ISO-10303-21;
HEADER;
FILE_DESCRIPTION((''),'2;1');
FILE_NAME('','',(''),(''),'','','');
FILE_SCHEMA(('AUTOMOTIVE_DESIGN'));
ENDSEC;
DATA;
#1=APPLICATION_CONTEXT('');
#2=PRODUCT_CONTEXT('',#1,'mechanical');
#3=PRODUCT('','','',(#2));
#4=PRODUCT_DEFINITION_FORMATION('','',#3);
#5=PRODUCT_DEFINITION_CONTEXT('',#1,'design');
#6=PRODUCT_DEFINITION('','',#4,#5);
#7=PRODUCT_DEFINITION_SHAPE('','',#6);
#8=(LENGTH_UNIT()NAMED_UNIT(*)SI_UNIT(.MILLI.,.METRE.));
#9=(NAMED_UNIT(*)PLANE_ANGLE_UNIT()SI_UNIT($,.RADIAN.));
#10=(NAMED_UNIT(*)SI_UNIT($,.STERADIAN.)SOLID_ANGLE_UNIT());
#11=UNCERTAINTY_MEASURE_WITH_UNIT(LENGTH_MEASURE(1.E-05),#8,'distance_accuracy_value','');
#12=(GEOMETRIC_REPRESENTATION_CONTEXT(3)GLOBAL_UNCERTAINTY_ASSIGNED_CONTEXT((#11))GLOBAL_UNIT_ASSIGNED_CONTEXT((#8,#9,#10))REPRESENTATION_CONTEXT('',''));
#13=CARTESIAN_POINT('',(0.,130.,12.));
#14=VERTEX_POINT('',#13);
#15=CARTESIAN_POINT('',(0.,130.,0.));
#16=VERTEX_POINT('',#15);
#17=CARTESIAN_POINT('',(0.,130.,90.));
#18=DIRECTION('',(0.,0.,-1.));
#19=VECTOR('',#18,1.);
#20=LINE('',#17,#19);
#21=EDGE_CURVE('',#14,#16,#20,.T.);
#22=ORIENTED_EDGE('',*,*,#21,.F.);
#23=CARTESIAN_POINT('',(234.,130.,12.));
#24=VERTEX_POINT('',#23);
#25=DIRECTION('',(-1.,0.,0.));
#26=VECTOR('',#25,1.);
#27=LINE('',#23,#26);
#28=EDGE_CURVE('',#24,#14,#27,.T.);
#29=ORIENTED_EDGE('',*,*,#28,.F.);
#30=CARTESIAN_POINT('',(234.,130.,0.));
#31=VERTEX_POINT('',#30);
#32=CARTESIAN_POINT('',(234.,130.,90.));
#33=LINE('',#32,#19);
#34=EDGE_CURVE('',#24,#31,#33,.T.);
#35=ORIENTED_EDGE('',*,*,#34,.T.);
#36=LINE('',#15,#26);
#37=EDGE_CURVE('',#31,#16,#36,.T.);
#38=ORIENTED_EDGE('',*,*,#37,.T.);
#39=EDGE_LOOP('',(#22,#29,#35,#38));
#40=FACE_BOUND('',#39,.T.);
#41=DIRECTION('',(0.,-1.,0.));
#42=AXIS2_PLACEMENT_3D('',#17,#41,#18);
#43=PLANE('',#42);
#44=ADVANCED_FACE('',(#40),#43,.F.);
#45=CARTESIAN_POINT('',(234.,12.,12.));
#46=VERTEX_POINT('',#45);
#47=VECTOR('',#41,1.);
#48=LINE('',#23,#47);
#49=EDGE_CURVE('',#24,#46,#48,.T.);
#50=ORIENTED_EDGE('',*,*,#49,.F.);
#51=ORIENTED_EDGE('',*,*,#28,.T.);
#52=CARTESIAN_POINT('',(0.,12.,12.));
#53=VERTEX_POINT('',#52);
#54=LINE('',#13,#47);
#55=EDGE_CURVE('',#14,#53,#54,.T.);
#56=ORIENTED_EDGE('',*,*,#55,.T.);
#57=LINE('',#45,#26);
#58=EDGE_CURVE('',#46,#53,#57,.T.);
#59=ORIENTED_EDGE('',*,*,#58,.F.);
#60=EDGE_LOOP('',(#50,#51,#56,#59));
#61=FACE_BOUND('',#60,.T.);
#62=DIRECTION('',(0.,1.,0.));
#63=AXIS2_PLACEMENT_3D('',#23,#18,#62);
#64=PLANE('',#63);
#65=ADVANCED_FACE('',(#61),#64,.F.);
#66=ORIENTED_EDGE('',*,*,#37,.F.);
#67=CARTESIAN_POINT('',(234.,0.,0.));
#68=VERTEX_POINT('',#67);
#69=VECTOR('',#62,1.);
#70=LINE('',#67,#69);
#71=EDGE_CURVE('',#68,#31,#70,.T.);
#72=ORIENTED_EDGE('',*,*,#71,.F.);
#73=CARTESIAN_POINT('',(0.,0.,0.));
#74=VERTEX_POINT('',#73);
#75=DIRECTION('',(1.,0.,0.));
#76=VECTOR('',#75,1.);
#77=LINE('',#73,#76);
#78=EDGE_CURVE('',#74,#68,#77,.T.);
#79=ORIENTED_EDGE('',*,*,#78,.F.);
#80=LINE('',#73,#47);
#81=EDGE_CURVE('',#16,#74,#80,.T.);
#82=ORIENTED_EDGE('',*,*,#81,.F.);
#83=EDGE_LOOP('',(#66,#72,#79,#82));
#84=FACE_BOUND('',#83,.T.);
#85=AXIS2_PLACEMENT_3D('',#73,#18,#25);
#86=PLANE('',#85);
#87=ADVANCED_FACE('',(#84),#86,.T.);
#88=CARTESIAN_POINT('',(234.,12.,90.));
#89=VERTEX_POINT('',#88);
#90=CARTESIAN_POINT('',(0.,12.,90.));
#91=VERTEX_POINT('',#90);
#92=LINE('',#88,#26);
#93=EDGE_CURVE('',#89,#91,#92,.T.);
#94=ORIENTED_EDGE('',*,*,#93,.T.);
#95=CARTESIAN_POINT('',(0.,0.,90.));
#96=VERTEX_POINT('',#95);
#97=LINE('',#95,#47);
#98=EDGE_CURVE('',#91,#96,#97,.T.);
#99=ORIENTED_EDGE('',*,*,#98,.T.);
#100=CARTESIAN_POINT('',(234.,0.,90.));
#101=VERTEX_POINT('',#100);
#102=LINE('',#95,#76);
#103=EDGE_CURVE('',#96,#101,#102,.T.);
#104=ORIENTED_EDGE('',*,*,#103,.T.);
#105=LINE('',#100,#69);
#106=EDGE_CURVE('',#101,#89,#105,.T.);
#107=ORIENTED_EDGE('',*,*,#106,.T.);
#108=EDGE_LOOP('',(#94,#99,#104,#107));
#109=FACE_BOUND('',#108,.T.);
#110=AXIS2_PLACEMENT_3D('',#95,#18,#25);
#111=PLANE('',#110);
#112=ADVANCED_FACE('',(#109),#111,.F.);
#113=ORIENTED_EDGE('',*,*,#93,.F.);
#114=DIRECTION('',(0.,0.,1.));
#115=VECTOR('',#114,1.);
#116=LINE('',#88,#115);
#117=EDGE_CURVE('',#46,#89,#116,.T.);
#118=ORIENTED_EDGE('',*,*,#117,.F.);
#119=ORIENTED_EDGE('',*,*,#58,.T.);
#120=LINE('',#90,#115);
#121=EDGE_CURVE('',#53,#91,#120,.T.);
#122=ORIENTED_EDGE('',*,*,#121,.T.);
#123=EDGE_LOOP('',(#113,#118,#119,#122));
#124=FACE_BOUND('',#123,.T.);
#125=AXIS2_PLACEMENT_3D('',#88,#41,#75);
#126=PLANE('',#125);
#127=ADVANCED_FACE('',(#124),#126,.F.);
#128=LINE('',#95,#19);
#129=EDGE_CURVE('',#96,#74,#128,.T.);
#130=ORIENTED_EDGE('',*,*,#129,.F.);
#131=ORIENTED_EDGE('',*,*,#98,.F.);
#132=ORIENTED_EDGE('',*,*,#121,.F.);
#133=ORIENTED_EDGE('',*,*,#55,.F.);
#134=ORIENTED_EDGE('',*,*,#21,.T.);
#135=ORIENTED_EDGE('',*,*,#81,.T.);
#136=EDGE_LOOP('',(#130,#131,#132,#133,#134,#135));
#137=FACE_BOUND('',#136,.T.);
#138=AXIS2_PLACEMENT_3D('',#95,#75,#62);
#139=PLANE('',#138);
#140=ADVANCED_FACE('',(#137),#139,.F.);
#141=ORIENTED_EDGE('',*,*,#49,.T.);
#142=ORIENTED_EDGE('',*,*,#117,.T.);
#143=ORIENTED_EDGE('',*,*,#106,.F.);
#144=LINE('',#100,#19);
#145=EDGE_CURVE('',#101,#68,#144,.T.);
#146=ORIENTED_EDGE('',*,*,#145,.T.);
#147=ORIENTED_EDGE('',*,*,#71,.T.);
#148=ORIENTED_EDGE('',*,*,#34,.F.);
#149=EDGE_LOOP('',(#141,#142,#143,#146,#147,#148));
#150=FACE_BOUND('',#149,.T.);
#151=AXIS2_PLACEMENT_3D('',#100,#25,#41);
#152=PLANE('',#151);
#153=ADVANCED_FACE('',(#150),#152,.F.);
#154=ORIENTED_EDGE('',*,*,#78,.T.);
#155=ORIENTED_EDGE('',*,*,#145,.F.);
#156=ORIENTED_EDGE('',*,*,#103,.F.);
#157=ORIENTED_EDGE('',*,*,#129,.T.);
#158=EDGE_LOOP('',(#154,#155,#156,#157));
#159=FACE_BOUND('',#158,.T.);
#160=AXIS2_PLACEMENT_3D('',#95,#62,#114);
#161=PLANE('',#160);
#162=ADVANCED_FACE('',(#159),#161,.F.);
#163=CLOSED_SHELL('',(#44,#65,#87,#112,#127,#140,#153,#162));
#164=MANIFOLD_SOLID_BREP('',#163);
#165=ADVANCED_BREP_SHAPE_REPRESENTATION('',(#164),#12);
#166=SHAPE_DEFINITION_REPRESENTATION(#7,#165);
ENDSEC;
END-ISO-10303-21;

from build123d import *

# Parameters (mm, degrees)
SKETCH_1_W          = 234
SKETCH_1_H          = 130
EXTRUDE_1_DEPTH     = 90
SKETCH_2_W          = 78
SKETCH_2_H          = 118
CUT_EXTRUDE_1_DEPTH = 283.411047943


with BuildPart() as part:
    # 草图1 → 凸台-拉伸1 (new body)
    with BuildSketch(Plane.XY):
        with Locations((117, 65)):
            Rectangle(SKETCH_1_W, SKETCH_1_H)
    extrude(amount=EXTRUDE_1_DEPTH)

    # 草图2 → 切除-拉伸1 (cut, through all)
    with BuildSketch(Plane.ZY):
        with Locations((51, 71)):
            Rectangle(SKETCH_2_W, SKETCH_2_H)
    extrude(amount=-CUT_EXTRUDE_1_DEPTH, mode=Mode.SUBTRACT)


solid = part.part
